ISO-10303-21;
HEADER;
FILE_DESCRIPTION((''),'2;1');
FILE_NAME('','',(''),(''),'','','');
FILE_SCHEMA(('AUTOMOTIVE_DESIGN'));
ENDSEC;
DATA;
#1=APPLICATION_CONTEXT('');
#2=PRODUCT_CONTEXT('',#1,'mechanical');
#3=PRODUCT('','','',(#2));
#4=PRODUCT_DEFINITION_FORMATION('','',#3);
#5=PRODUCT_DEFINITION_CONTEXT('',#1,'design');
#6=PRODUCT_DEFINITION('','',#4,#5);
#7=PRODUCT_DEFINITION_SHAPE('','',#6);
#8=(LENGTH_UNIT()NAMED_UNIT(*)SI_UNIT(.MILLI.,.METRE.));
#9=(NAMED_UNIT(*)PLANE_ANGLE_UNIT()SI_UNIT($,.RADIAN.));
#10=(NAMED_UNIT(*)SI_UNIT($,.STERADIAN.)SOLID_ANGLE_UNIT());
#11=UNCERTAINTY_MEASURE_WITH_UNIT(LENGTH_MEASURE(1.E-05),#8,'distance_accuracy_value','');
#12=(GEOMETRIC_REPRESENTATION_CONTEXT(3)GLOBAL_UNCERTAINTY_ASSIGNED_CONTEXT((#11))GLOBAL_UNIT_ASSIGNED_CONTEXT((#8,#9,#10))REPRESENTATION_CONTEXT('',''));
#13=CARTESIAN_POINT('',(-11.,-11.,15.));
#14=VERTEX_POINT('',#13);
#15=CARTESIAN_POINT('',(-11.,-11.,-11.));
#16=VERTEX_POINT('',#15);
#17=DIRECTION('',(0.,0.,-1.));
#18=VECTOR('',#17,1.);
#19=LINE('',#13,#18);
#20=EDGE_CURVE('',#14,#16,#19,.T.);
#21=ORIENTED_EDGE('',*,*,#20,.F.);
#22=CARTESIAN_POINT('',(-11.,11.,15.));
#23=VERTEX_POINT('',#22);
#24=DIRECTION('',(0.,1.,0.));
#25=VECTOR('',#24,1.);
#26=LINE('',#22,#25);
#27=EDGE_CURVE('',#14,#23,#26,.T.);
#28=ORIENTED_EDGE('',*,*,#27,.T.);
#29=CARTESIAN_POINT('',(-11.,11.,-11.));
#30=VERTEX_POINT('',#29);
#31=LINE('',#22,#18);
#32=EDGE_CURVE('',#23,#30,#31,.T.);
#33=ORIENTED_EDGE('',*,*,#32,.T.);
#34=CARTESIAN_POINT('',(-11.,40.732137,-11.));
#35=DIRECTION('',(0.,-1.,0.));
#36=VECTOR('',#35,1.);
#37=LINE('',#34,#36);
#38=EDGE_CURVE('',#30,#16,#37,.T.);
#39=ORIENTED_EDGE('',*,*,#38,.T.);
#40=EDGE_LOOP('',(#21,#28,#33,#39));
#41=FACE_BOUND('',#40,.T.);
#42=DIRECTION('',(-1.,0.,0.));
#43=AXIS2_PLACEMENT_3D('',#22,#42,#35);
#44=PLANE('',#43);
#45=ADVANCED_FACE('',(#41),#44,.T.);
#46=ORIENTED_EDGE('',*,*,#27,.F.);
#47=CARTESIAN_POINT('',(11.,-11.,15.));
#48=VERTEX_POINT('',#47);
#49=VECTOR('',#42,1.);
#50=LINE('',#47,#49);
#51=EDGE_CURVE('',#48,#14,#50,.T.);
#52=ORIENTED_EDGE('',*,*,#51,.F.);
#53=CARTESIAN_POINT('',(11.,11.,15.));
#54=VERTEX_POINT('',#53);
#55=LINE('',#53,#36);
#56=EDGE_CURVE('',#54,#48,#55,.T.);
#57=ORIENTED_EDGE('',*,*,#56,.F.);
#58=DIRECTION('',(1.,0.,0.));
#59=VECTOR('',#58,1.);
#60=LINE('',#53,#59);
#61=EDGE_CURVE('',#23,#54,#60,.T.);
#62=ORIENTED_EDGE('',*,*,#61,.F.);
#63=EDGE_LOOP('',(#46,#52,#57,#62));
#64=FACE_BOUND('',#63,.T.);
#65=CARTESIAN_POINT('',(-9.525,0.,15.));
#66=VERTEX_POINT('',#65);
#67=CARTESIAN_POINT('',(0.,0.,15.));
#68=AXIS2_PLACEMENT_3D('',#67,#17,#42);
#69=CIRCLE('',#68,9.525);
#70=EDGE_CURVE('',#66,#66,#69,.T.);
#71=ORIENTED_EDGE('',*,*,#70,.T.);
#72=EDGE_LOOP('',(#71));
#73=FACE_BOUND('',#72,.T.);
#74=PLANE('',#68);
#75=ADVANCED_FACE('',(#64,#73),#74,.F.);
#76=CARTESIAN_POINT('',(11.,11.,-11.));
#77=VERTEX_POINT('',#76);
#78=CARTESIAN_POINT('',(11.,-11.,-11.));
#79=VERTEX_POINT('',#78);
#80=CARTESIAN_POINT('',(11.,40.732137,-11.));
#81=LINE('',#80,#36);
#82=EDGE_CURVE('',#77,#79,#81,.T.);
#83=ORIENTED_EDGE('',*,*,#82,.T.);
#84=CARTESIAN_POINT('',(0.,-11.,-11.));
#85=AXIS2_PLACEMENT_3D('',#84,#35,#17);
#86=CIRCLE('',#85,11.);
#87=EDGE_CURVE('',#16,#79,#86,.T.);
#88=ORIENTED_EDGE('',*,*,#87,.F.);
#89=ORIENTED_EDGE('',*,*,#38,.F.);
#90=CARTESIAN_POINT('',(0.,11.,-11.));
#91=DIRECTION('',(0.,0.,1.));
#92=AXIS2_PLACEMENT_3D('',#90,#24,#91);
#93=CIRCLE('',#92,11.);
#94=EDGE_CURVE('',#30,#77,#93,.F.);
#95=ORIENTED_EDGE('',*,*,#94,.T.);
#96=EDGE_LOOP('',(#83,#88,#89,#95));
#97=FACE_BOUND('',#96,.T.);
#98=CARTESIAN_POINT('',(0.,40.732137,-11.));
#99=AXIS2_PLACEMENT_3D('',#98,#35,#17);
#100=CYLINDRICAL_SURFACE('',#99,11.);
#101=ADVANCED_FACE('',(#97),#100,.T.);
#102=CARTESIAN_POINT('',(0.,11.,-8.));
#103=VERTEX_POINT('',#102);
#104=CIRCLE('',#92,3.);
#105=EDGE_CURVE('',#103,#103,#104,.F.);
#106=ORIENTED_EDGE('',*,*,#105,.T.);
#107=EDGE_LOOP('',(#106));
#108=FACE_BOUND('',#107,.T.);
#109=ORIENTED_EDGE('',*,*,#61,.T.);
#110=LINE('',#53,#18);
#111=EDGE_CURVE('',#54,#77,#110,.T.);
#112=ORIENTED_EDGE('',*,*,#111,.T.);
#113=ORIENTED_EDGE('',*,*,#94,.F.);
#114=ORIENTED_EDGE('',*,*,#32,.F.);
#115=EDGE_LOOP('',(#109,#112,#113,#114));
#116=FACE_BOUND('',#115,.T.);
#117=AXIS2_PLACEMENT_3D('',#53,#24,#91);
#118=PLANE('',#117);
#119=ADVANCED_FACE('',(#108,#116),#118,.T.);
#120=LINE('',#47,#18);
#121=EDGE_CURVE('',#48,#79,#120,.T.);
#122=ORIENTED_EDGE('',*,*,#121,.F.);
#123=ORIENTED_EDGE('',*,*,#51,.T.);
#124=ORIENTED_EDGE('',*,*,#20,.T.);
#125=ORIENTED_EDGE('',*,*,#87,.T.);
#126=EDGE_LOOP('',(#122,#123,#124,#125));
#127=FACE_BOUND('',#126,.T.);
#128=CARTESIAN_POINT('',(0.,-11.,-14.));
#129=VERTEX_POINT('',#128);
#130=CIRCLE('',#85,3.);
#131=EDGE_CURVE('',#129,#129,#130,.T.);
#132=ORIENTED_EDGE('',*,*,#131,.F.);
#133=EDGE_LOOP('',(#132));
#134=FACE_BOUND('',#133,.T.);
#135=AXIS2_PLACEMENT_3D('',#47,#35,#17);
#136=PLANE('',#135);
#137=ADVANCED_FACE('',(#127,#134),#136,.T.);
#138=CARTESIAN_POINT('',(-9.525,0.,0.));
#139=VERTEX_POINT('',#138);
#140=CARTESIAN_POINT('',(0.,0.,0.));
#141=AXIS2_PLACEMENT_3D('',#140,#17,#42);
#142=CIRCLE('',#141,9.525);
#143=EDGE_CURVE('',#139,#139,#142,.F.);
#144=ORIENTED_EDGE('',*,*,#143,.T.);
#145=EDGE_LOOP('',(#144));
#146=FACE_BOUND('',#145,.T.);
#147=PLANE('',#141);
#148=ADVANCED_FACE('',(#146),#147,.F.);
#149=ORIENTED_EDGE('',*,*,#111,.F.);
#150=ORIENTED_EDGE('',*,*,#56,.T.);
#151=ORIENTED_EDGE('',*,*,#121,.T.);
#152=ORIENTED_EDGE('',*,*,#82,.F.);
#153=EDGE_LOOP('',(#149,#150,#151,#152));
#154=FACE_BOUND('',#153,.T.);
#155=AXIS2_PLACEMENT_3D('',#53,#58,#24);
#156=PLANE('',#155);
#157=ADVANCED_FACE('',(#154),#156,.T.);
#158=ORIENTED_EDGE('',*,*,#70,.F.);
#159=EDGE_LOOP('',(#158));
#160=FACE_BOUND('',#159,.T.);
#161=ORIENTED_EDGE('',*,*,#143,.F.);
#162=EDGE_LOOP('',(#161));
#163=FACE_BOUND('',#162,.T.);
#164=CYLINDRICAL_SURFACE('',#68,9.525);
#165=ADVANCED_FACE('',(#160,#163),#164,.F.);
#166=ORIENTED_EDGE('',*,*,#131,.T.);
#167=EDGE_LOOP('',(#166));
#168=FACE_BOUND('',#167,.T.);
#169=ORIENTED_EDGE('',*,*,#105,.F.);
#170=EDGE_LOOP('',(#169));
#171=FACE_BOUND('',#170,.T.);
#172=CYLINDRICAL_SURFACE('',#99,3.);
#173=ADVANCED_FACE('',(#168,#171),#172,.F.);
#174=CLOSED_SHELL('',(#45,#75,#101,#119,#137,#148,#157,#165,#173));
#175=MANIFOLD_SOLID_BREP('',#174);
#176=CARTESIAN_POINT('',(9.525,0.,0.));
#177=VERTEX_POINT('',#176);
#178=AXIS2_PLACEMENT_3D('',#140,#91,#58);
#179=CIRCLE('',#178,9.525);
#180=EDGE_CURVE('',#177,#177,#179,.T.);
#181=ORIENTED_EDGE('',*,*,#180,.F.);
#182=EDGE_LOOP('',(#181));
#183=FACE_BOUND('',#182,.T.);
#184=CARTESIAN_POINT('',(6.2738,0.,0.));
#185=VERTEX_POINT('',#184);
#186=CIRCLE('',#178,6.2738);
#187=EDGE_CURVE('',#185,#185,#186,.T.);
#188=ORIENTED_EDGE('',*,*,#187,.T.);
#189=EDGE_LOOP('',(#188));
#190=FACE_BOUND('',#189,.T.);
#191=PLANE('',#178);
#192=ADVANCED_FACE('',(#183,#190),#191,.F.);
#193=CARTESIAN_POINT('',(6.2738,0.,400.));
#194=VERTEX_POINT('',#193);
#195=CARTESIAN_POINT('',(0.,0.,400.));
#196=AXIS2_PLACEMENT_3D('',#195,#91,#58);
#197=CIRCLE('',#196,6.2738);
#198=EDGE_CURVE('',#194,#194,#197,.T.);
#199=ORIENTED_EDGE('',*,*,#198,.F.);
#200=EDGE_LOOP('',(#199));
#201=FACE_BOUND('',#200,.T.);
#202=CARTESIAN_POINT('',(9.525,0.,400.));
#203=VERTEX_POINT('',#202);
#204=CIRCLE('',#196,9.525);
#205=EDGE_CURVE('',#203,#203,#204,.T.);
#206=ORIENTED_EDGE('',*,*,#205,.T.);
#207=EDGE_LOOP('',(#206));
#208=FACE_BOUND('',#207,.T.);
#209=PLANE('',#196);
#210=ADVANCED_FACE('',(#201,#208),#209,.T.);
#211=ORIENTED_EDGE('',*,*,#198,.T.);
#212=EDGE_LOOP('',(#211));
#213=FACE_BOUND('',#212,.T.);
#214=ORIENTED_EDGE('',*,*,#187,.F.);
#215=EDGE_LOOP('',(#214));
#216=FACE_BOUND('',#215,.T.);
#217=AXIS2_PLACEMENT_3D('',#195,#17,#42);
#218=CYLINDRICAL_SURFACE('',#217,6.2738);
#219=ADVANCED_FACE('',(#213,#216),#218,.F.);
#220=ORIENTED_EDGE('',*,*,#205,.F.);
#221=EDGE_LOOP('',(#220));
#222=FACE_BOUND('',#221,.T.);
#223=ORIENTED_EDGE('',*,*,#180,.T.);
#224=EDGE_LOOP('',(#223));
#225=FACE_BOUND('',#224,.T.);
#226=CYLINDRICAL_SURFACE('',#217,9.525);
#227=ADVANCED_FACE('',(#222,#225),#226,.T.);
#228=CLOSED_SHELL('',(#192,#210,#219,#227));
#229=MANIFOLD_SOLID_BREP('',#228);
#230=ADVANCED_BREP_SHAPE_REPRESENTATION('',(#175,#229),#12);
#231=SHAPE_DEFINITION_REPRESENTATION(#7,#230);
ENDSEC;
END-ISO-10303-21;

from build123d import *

# Parameters (mm, degrees)
SKETCH1_R           = 9.525
SKETCH1_R_2         = 6.2738
BOSS_EXTRUDE1_DEPTH = 400
SKETCH2_W           = 22
SKETCH2_H           = 22
SKETCH2_R           = 9.525
BOSS_EXTRUDE2_DEPTH = 15
SKETCH2_2_W         = 22
SKETCH2_2_H         = 22
BOSS_EXTRUDE3_DEPTH = 2
SKETCH3_R           = 3
BOSS_EXTRUDE4_DEPTH = 22


with BuildPart() as part:
    # Sketch1 → Boss-Extrude1 (new body)
    with BuildSketch(Plane.XY):
        Circle(SKETCH1_R)
        Circle(SKETCH1_R_2, mode=Mode.SUBTRACT)
    extrude(amount=BOSS_EXTRUDE1_DEPTH)


with BuildPart() as body_2:
    # Sketch2 → Boss-Extrude2 (new body)
    with BuildSketch(Plane(origin=(0, 0, 0), x_dir=(-1, 0, 0), z_dir=(0, 0, -1))):
        Rectangle(SKETCH2_W, SKETCH2_H)
        with Locations(Location((0, 0, 0), (0, 0, 180))):
            Circle(SKETCH2_R, mode=Mode.SUBTRACT)
    extrude(amount=-BOSS_EXTRUDE2_DEPTH)


with BuildPart() as body_3:
    # Sketch2<2> → Boss-Extrude3 (new body)
    with BuildSketch(Plane(origin=(0, 0, 0), x_dir=(-1, 0, 0), z_dir=(0, 0, -1))):
        Rectangle(SKETCH2_2_W, SKETCH2_2_H)
    extrude(amount=BOSS_EXTRUDE3_DEPTH)


with BuildPart() as body_2_1:
    add(body_2.part)

    # Combine1: union body 3
    add(body_3.part)

    # Sketch3 → Boss-Extrude4 (add)
    with BuildSketch(Plane.XZ.offset(11)):
        with BuildLine():
            Line((11, -2), (11, -11))
            ThreePointArc((11, -11), (0, -22), (-11, -11))
            Line((-11, -11), (-11, -2))
            Line((-11, -2), (11, -2))
        make_face()
        with Locations(Location((0, -11, 0), (0, 0, 270))):
            Circle(SKETCH3_R, mode=Mode.SUBTRACT)
    extrude(amount=-BOSS_EXTRUDE4_DEPTH)


solid = Compound([part.part, body_2_1.part])
